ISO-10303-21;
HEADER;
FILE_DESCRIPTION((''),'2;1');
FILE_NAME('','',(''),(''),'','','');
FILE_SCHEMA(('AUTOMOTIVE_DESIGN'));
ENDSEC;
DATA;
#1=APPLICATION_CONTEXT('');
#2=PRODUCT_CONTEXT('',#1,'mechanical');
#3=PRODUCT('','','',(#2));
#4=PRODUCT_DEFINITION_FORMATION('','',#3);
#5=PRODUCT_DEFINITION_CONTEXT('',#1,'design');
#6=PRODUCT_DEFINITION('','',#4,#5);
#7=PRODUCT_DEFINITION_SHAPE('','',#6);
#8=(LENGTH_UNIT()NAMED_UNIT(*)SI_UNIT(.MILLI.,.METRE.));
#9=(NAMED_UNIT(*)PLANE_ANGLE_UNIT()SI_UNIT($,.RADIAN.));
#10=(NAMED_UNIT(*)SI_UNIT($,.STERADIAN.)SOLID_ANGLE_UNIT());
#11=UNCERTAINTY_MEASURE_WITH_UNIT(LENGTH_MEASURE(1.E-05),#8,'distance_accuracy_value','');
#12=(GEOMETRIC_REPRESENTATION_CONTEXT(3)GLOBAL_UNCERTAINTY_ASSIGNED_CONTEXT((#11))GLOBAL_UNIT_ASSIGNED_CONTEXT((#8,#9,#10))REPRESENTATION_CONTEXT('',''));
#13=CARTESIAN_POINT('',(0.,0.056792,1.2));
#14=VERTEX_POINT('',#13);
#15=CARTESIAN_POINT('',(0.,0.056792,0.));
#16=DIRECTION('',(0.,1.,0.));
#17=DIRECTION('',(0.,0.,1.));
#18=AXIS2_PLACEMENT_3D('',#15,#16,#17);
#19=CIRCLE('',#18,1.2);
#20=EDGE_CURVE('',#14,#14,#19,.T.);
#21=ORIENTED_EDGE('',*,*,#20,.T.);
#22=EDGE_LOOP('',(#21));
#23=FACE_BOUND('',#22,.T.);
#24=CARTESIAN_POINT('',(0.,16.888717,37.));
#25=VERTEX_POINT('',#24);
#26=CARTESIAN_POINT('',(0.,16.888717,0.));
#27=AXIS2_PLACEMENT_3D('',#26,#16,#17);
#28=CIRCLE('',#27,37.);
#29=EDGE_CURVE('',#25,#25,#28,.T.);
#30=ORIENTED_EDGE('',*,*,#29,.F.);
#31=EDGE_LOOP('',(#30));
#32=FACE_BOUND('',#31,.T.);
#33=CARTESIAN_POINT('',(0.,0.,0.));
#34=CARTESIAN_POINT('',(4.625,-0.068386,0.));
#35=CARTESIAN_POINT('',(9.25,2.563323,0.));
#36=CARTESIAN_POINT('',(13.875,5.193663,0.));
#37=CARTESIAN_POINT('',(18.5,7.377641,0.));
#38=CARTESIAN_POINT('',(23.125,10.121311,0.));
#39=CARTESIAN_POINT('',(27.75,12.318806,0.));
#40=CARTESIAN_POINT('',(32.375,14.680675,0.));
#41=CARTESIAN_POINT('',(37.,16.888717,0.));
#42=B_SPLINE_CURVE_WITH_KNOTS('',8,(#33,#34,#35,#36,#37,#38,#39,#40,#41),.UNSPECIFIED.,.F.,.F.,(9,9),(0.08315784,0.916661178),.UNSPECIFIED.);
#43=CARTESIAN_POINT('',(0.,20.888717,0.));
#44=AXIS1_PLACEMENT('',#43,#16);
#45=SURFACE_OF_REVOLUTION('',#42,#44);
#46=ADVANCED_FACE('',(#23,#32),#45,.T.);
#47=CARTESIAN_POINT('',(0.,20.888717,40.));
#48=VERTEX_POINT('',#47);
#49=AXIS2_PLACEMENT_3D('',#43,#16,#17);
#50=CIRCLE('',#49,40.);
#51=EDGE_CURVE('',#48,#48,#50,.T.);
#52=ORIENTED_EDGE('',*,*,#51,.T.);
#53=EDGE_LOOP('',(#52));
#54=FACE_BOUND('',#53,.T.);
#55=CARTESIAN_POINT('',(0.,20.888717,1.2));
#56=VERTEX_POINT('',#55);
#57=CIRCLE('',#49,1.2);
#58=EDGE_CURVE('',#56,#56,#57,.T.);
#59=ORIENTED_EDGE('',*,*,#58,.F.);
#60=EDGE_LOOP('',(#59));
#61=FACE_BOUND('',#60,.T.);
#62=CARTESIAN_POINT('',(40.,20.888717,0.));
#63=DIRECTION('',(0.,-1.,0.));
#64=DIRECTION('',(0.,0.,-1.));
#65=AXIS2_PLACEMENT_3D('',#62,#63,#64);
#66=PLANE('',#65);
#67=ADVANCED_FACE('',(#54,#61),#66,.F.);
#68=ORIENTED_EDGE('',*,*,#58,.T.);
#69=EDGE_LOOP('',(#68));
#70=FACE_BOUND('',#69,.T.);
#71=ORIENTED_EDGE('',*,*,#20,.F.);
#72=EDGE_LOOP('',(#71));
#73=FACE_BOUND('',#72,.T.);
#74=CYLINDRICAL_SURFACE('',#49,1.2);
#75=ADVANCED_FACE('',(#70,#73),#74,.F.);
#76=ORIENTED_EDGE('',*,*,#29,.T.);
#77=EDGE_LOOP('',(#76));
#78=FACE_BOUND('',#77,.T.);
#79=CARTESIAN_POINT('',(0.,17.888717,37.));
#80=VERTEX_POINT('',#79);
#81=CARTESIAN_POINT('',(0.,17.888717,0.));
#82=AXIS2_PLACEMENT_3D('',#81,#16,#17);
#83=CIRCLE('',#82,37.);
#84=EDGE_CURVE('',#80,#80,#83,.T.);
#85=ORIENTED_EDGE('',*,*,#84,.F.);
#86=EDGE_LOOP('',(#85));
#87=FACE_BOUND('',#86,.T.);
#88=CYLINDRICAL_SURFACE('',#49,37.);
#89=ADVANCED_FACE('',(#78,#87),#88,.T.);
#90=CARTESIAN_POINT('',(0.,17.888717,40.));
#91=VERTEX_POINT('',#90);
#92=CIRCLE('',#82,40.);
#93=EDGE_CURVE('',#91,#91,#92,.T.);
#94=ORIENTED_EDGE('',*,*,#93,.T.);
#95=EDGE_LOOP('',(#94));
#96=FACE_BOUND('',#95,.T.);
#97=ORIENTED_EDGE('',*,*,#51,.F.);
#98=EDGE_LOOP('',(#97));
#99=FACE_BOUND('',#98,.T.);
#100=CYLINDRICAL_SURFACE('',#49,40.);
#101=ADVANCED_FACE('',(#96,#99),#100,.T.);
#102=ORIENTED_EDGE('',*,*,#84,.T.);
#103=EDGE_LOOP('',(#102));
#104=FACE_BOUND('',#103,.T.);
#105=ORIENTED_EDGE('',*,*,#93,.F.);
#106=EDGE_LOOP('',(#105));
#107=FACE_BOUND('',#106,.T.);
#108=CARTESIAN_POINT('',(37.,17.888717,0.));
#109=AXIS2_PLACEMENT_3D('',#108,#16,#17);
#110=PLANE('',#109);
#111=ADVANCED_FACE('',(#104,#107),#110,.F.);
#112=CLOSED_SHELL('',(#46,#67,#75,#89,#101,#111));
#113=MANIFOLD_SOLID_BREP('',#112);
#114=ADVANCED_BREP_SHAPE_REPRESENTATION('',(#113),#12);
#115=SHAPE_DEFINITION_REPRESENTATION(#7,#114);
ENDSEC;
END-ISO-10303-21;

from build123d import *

# Parameters (mm, degrees)
SKETCH5_R          = 1.2
CUT_EXTRUDE1_DEPTH = 61.302405898


with BuildPart() as part:
    # Sketch3 → Revolve4 (revolve)
    with BuildSketch(Plane.XY, mode=Mode.PRIVATE) as revolve4_sk:
        with BuildLine():
            Line((1.2, 20.888717062), (1.2, 15.888717062))
            Line((1.2, 15.888717062), (0, 15.888717062))
            Line((0, 15.888717062), (0, 0))
            add(Edge.make_bspline(
                [(0, 0), (4.625000024, -0.068385853), (9.250000018, 2.563323273), (13.875000012, 5.193663343), (18.500000012, 7.377641156), (23.125000005, 10.121310962), (27.750000004, 12.318806226), (32.375000001, 14.680674666), (37, 16.888717062)],
                knots=[0.08315784, 0.08315784, 0.08315784, 0.08315784, 0.08315784, 0.08315784, 0.08315784, 0.08315784, 0.08315784, 0.916661178, 0.916661178, 0.916661178, 0.916661178, 0.916661178, 0.916661178, 0.916661178, 0.916661178, 0.916661178], degree=8))
            Line((37, 16.888717062), (37, 17.888717062))
            Line((37, 17.888717062), (40, 17.888717062))
            Line((40, 17.888717062), (40, 20.888717062))
            Line((40, 20.888717062), (1.2, 20.888717062))
        make_face()
    revolve(revolve4_sk.sketch.rotate(Axis((0, 20.888717062, 0), (0, -1, 0)), 90), axis=Axis((0, 20.888717062, 0), (0, -1, 0)))

    # Sketch5 → Cut-Extrude1 (cut, through all)
    with BuildSketch(Plane(origin=(0, 20.888717062, 0), x_dir=(1, 0, 0), z_dir=(0, 1, 0))):
        with Locations(Location((0, 0, 0), (0, 0, 270))):
            Circle(SKETCH5_R)
    extrude(amount=-CUT_EXTRUDE1_DEPTH, mode=Mode.SUBTRACT)


solid = part.part
